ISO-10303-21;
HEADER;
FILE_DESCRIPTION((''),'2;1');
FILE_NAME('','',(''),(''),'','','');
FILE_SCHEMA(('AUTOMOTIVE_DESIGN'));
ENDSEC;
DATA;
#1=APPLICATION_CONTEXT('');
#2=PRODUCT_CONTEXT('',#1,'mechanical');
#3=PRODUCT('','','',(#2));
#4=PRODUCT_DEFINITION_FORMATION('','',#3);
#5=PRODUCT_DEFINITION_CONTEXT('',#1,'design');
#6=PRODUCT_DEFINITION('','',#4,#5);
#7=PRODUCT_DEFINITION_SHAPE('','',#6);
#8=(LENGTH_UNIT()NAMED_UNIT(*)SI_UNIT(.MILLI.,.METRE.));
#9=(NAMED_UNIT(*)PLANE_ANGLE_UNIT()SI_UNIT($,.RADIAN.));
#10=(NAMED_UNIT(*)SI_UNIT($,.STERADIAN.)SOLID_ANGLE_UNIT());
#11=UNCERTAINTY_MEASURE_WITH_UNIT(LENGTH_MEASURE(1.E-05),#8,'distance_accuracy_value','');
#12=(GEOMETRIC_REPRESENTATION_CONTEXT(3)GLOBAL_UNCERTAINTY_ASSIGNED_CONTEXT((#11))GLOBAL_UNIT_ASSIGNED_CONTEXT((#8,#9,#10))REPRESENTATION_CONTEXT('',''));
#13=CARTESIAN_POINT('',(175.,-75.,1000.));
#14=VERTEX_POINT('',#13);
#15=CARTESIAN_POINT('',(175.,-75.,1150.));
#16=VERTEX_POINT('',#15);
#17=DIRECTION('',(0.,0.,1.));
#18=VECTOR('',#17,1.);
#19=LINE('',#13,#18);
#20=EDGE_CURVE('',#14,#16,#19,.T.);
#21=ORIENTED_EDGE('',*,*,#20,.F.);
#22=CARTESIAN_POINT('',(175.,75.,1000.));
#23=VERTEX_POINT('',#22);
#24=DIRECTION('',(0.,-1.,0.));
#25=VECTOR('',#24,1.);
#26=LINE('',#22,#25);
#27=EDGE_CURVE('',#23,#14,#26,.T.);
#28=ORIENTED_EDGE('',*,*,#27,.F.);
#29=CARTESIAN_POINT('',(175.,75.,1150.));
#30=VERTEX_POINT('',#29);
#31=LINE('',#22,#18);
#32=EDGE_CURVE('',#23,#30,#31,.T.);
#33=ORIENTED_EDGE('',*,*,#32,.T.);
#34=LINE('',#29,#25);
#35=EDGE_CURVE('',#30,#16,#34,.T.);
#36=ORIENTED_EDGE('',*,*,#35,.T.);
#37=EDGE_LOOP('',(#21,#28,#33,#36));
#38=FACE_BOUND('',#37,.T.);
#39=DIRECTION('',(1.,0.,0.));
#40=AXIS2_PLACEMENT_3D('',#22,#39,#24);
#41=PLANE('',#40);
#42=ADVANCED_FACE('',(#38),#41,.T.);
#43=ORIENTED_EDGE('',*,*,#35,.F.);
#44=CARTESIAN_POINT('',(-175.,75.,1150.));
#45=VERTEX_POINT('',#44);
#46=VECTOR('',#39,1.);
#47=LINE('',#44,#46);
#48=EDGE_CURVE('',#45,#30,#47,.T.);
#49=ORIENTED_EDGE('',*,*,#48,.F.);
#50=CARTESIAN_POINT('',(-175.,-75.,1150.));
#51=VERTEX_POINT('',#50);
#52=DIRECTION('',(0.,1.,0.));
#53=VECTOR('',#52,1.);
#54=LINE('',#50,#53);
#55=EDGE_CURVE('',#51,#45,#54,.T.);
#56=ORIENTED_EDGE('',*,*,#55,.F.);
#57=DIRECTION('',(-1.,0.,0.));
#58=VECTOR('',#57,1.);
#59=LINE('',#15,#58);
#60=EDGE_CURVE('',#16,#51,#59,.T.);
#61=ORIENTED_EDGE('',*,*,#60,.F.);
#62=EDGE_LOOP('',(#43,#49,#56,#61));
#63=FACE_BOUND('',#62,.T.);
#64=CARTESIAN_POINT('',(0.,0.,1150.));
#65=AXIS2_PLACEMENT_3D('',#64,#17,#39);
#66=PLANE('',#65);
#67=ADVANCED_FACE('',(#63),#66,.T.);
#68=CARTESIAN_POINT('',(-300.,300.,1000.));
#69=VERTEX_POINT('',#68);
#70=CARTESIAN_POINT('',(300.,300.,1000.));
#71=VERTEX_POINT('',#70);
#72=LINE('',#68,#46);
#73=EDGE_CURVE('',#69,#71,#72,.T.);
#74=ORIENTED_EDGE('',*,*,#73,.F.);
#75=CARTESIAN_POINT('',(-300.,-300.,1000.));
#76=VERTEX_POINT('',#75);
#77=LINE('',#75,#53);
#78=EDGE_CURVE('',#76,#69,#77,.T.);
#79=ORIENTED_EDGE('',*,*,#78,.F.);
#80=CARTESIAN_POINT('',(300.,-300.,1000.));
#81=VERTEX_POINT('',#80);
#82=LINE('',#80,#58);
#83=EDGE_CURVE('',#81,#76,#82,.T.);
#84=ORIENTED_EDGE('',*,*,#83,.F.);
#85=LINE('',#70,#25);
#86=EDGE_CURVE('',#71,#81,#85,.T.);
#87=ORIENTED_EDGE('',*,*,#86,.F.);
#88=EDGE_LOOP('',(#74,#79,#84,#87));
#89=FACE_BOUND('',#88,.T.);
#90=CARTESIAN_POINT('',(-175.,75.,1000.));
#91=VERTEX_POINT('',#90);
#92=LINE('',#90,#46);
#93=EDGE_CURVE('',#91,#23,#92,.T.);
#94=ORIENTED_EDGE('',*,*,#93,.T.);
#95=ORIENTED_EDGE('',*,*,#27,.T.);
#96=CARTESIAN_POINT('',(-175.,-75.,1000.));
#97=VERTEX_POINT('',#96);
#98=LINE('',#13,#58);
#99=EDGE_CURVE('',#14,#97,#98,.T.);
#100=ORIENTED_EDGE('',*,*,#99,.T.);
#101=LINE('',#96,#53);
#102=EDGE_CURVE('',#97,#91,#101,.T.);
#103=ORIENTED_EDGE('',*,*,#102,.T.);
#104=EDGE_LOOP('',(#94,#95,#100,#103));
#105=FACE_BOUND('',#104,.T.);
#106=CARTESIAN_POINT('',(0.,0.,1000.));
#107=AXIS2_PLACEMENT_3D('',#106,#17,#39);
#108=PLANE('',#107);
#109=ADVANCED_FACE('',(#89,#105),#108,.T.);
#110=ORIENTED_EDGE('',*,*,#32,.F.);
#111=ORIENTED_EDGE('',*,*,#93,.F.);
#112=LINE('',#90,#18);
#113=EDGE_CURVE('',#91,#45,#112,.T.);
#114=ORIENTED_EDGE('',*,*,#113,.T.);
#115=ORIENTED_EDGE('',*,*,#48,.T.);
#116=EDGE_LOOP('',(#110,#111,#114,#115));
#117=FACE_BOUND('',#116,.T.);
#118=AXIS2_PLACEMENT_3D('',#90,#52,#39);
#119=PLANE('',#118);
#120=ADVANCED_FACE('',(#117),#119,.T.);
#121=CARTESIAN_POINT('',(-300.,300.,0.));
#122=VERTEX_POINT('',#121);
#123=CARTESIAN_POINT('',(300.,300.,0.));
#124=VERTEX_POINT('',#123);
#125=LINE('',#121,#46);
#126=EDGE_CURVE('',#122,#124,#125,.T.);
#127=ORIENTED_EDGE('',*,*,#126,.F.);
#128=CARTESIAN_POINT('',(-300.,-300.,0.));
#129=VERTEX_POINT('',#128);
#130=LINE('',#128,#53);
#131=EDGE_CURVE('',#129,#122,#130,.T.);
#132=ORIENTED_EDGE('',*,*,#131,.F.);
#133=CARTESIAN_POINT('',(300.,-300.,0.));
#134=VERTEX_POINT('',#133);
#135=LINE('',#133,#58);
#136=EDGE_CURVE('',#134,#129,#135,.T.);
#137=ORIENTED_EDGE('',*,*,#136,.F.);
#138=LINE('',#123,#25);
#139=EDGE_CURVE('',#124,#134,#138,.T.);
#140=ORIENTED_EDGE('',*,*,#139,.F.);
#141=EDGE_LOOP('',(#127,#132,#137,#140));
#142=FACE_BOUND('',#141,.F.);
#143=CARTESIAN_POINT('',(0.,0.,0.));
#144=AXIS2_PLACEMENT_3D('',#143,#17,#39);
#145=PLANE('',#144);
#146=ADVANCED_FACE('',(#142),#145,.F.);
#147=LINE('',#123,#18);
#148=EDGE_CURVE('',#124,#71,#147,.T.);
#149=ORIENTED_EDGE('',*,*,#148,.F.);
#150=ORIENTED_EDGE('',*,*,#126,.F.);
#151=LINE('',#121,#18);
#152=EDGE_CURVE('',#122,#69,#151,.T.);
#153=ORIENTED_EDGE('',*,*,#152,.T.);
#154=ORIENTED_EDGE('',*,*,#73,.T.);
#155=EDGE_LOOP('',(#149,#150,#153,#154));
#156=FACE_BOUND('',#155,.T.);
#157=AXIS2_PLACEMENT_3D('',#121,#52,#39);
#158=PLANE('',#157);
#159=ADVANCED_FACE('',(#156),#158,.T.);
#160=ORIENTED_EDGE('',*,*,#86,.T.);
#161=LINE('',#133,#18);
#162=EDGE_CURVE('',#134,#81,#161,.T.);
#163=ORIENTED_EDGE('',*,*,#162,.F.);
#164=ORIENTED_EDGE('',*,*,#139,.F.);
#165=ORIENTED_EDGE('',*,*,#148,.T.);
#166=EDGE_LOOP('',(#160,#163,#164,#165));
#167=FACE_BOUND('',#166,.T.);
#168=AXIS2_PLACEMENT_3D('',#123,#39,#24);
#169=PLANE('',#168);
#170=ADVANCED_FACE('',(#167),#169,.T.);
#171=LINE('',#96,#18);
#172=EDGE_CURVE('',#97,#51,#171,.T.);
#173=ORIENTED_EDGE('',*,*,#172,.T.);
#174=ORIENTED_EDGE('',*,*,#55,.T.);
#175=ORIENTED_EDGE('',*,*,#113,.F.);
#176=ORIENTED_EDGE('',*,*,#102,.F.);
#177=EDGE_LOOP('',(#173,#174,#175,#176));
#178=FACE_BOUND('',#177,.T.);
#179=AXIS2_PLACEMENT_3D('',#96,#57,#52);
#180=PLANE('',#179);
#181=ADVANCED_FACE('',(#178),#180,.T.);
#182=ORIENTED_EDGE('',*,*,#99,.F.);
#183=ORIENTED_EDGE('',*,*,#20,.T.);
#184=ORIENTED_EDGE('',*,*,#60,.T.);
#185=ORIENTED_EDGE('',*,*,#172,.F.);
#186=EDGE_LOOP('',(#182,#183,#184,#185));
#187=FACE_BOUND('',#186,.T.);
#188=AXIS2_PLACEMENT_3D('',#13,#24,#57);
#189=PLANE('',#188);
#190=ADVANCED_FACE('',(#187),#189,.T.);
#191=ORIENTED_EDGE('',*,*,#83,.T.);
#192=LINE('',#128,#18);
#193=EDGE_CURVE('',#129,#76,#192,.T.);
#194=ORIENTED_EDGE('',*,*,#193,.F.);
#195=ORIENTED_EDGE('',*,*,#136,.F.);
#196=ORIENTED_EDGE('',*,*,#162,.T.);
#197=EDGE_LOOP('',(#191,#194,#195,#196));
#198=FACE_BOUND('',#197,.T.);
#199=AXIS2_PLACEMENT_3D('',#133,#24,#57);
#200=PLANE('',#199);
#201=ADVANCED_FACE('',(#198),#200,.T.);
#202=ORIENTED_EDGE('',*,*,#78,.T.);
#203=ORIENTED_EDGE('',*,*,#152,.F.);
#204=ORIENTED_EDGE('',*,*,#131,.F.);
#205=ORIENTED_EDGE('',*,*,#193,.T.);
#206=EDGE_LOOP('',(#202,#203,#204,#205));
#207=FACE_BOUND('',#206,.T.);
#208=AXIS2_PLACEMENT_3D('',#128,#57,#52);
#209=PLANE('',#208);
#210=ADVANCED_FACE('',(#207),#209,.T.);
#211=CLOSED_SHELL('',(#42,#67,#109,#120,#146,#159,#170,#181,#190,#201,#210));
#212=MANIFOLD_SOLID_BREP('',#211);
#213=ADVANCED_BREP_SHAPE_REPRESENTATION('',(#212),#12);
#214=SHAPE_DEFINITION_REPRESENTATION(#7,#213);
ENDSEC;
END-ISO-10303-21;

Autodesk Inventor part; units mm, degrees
ref_plane "YZ Plane" through (0, 0, 0) normal (1, 0, 0) x (0, 1, 0)
ref_plane "XZ Plane" through (0, 0, 0) normal (0, 1, 0) x (-1, 0, 0)
ref_plane "XY Plane" through (0, 0, 0) normal (0, 0, 1) x (1, 0, 0)
sketch "Sketch1" plane through (0, 0, 0) normal (0, 0, 1) x (1, 0, 0)
  line L0 (-300, 300) -> (300, 300)
  line L1 (300, 300) -> (300, -300)
  line L2 (300, -300) -> (-300, -300)
  line L3 (-300, -300) -> (-300, 300)
  line L4 (-300, -300) -> (300, 300) construction
  point P0 (0, 0)
  point P1 (0, 0)
  dimension "d0" = 600
  dimension "d1" = 600
extrude "Extrusion1" add sketch "Sketch1" along normal blind 1000
sketch "Sketch2" plane through (0, 0, 1000) normal (0, 0, 1) x (1, 0, 0)
  line L0 (-175, 75) -> (175, 75)
  line L1 (175, 75) -> (175, -75)
  line L2 (175, -75) -> (-175, -75)
  line L3 (-175, -75) -> (-175, 75)
  line L4 (-175, 75) -> (175, -75) construction
  line L5 (175, 75) -> (-175, -75) construction
  point P0 (0, 0)
  dimension "d4" = 350
  dimension "d5" = 150
extrude "Extrusion2" add sketch "Sketch2" along normal blind 150
equation "\"d0\" = Длина"
equation "\"d1\" = Ширина"
equation "\"d2\" = Высота"
equation "\"Длина\" = 600"
equation "\"Ширина\" = 600"
equation "\"Высота\" = 1000"
properties part number "Soda barrel"
